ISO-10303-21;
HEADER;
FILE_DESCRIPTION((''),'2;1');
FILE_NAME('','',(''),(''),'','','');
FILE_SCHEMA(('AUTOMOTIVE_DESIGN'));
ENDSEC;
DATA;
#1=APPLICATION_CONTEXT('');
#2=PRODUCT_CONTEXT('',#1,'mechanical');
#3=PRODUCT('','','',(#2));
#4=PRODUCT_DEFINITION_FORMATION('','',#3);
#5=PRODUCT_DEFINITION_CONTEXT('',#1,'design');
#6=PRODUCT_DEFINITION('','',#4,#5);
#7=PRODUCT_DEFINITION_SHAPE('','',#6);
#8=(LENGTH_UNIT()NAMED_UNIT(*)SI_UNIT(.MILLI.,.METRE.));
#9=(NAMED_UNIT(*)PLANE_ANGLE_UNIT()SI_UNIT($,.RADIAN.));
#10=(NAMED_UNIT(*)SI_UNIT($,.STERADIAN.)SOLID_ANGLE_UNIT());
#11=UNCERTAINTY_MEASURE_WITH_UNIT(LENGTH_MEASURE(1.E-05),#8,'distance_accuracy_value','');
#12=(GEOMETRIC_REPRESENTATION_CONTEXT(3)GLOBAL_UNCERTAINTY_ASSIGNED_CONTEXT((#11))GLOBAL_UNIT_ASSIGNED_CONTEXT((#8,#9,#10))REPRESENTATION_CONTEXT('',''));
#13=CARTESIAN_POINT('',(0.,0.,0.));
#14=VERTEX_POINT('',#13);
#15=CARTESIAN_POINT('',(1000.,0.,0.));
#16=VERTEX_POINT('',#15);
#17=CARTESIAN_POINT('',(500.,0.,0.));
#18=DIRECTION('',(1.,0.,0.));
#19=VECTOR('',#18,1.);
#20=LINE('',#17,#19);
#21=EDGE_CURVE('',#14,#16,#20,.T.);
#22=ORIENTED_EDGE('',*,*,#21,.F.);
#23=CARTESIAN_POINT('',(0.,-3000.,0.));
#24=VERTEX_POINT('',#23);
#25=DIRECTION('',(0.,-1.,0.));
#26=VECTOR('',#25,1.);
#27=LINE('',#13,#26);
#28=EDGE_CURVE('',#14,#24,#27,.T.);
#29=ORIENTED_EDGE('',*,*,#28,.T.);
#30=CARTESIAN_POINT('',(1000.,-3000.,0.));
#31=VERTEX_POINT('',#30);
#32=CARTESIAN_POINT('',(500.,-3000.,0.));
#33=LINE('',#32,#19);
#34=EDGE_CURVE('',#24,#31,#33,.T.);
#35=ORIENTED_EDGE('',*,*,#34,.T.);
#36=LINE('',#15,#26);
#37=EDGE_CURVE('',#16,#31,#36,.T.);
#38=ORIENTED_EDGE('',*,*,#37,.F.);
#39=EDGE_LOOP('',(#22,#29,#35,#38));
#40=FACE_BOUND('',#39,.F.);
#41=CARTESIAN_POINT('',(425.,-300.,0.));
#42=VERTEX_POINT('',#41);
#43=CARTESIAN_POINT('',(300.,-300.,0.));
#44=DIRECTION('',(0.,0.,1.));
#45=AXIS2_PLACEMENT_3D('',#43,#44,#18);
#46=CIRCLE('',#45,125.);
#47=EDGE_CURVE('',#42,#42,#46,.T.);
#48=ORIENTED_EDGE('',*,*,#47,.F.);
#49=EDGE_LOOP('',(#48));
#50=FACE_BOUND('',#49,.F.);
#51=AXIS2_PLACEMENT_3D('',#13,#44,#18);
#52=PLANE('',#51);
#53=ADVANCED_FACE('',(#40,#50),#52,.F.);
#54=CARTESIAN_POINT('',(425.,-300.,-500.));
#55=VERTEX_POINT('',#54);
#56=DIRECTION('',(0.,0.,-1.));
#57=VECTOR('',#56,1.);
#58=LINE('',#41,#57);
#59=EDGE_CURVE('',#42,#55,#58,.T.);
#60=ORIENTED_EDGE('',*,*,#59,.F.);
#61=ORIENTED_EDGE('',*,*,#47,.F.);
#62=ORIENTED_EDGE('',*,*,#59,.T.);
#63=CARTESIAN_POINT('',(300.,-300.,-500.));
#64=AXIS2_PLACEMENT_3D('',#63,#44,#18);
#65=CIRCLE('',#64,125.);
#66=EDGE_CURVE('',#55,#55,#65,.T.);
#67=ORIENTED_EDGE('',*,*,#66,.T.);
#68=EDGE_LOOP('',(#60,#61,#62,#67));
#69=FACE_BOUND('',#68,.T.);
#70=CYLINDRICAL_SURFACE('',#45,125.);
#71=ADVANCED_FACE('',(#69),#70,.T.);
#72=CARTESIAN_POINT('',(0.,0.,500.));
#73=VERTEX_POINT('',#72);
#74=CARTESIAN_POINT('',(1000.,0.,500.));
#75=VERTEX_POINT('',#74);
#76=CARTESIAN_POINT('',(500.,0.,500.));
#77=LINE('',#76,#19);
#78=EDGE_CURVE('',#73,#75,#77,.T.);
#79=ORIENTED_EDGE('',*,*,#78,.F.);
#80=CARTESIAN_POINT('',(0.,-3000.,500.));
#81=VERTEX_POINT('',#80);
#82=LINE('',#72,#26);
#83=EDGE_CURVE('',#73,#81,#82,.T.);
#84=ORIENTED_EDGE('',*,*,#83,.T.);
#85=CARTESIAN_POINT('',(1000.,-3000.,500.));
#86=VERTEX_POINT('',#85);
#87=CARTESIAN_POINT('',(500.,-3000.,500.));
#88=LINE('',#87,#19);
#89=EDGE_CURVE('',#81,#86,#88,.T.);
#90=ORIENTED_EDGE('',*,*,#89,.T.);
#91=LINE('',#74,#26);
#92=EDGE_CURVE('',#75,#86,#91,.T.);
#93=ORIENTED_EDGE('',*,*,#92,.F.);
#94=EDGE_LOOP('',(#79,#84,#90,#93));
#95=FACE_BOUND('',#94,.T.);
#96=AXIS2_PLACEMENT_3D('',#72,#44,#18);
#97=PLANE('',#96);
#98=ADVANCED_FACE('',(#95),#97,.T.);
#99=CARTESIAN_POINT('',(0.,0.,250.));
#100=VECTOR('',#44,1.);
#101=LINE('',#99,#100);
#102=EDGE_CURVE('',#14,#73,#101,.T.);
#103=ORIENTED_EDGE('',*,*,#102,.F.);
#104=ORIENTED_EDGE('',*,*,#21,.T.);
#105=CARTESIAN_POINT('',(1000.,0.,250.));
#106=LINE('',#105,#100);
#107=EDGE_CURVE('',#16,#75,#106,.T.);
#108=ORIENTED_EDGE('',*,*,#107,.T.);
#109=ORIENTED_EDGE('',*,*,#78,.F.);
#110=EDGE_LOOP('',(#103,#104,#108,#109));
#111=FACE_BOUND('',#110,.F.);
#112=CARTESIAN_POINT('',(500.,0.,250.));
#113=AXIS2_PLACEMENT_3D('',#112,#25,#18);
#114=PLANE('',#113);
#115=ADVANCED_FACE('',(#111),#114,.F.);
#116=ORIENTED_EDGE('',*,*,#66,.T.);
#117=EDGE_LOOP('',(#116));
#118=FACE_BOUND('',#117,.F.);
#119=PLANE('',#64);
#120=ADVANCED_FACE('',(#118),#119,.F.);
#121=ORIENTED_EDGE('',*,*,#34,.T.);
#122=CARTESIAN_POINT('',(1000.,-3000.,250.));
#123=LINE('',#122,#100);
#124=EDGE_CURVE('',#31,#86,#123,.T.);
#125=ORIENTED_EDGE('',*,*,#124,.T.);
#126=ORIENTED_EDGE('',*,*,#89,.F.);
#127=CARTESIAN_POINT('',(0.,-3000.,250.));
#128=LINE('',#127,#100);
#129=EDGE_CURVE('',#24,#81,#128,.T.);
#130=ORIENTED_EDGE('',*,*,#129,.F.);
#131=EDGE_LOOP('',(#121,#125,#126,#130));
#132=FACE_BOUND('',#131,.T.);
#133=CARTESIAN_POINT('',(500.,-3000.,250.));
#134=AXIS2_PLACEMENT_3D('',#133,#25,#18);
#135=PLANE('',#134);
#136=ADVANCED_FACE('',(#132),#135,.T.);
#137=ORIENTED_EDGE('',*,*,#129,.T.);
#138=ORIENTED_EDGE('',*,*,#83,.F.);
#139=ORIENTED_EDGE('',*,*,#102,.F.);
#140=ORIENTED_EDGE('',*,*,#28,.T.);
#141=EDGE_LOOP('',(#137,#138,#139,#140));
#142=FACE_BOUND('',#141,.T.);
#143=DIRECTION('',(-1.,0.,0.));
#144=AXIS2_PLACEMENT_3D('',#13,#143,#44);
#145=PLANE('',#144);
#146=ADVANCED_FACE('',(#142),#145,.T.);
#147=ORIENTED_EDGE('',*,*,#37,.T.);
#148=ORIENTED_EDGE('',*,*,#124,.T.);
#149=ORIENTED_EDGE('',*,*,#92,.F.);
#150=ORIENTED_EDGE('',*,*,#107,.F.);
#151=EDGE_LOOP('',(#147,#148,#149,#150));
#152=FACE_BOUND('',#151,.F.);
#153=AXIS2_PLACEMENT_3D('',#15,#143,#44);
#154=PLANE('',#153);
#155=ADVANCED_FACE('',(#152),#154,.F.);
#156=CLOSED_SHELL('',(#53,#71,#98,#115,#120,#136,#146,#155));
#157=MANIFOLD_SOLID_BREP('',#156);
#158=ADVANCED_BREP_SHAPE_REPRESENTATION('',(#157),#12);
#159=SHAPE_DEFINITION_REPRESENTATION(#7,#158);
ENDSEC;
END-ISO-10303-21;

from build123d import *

# Parameters (mm, degrees)
F0_W     = 1000
F0_H     = 500
F1_DEPTH = 3000
F2_R     = 125
F3_DEPTH = 500


with BuildPart() as f1:
    # F0 (on Front) → F1 (new body)
    with BuildSketch(Plane.XZ):
        with Locations((500, 250)):
            Rectangle(F0_W, F0_H)
    extrude(amount=F1_DEPTH)

    # F2 (on Top) → F3 (join)
    with BuildSketch(Plane.XY):
        with Locations((300, -300)):
            Circle(F2_R)
    extrude(amount=-F3_DEPTH)


solid = f1.part
